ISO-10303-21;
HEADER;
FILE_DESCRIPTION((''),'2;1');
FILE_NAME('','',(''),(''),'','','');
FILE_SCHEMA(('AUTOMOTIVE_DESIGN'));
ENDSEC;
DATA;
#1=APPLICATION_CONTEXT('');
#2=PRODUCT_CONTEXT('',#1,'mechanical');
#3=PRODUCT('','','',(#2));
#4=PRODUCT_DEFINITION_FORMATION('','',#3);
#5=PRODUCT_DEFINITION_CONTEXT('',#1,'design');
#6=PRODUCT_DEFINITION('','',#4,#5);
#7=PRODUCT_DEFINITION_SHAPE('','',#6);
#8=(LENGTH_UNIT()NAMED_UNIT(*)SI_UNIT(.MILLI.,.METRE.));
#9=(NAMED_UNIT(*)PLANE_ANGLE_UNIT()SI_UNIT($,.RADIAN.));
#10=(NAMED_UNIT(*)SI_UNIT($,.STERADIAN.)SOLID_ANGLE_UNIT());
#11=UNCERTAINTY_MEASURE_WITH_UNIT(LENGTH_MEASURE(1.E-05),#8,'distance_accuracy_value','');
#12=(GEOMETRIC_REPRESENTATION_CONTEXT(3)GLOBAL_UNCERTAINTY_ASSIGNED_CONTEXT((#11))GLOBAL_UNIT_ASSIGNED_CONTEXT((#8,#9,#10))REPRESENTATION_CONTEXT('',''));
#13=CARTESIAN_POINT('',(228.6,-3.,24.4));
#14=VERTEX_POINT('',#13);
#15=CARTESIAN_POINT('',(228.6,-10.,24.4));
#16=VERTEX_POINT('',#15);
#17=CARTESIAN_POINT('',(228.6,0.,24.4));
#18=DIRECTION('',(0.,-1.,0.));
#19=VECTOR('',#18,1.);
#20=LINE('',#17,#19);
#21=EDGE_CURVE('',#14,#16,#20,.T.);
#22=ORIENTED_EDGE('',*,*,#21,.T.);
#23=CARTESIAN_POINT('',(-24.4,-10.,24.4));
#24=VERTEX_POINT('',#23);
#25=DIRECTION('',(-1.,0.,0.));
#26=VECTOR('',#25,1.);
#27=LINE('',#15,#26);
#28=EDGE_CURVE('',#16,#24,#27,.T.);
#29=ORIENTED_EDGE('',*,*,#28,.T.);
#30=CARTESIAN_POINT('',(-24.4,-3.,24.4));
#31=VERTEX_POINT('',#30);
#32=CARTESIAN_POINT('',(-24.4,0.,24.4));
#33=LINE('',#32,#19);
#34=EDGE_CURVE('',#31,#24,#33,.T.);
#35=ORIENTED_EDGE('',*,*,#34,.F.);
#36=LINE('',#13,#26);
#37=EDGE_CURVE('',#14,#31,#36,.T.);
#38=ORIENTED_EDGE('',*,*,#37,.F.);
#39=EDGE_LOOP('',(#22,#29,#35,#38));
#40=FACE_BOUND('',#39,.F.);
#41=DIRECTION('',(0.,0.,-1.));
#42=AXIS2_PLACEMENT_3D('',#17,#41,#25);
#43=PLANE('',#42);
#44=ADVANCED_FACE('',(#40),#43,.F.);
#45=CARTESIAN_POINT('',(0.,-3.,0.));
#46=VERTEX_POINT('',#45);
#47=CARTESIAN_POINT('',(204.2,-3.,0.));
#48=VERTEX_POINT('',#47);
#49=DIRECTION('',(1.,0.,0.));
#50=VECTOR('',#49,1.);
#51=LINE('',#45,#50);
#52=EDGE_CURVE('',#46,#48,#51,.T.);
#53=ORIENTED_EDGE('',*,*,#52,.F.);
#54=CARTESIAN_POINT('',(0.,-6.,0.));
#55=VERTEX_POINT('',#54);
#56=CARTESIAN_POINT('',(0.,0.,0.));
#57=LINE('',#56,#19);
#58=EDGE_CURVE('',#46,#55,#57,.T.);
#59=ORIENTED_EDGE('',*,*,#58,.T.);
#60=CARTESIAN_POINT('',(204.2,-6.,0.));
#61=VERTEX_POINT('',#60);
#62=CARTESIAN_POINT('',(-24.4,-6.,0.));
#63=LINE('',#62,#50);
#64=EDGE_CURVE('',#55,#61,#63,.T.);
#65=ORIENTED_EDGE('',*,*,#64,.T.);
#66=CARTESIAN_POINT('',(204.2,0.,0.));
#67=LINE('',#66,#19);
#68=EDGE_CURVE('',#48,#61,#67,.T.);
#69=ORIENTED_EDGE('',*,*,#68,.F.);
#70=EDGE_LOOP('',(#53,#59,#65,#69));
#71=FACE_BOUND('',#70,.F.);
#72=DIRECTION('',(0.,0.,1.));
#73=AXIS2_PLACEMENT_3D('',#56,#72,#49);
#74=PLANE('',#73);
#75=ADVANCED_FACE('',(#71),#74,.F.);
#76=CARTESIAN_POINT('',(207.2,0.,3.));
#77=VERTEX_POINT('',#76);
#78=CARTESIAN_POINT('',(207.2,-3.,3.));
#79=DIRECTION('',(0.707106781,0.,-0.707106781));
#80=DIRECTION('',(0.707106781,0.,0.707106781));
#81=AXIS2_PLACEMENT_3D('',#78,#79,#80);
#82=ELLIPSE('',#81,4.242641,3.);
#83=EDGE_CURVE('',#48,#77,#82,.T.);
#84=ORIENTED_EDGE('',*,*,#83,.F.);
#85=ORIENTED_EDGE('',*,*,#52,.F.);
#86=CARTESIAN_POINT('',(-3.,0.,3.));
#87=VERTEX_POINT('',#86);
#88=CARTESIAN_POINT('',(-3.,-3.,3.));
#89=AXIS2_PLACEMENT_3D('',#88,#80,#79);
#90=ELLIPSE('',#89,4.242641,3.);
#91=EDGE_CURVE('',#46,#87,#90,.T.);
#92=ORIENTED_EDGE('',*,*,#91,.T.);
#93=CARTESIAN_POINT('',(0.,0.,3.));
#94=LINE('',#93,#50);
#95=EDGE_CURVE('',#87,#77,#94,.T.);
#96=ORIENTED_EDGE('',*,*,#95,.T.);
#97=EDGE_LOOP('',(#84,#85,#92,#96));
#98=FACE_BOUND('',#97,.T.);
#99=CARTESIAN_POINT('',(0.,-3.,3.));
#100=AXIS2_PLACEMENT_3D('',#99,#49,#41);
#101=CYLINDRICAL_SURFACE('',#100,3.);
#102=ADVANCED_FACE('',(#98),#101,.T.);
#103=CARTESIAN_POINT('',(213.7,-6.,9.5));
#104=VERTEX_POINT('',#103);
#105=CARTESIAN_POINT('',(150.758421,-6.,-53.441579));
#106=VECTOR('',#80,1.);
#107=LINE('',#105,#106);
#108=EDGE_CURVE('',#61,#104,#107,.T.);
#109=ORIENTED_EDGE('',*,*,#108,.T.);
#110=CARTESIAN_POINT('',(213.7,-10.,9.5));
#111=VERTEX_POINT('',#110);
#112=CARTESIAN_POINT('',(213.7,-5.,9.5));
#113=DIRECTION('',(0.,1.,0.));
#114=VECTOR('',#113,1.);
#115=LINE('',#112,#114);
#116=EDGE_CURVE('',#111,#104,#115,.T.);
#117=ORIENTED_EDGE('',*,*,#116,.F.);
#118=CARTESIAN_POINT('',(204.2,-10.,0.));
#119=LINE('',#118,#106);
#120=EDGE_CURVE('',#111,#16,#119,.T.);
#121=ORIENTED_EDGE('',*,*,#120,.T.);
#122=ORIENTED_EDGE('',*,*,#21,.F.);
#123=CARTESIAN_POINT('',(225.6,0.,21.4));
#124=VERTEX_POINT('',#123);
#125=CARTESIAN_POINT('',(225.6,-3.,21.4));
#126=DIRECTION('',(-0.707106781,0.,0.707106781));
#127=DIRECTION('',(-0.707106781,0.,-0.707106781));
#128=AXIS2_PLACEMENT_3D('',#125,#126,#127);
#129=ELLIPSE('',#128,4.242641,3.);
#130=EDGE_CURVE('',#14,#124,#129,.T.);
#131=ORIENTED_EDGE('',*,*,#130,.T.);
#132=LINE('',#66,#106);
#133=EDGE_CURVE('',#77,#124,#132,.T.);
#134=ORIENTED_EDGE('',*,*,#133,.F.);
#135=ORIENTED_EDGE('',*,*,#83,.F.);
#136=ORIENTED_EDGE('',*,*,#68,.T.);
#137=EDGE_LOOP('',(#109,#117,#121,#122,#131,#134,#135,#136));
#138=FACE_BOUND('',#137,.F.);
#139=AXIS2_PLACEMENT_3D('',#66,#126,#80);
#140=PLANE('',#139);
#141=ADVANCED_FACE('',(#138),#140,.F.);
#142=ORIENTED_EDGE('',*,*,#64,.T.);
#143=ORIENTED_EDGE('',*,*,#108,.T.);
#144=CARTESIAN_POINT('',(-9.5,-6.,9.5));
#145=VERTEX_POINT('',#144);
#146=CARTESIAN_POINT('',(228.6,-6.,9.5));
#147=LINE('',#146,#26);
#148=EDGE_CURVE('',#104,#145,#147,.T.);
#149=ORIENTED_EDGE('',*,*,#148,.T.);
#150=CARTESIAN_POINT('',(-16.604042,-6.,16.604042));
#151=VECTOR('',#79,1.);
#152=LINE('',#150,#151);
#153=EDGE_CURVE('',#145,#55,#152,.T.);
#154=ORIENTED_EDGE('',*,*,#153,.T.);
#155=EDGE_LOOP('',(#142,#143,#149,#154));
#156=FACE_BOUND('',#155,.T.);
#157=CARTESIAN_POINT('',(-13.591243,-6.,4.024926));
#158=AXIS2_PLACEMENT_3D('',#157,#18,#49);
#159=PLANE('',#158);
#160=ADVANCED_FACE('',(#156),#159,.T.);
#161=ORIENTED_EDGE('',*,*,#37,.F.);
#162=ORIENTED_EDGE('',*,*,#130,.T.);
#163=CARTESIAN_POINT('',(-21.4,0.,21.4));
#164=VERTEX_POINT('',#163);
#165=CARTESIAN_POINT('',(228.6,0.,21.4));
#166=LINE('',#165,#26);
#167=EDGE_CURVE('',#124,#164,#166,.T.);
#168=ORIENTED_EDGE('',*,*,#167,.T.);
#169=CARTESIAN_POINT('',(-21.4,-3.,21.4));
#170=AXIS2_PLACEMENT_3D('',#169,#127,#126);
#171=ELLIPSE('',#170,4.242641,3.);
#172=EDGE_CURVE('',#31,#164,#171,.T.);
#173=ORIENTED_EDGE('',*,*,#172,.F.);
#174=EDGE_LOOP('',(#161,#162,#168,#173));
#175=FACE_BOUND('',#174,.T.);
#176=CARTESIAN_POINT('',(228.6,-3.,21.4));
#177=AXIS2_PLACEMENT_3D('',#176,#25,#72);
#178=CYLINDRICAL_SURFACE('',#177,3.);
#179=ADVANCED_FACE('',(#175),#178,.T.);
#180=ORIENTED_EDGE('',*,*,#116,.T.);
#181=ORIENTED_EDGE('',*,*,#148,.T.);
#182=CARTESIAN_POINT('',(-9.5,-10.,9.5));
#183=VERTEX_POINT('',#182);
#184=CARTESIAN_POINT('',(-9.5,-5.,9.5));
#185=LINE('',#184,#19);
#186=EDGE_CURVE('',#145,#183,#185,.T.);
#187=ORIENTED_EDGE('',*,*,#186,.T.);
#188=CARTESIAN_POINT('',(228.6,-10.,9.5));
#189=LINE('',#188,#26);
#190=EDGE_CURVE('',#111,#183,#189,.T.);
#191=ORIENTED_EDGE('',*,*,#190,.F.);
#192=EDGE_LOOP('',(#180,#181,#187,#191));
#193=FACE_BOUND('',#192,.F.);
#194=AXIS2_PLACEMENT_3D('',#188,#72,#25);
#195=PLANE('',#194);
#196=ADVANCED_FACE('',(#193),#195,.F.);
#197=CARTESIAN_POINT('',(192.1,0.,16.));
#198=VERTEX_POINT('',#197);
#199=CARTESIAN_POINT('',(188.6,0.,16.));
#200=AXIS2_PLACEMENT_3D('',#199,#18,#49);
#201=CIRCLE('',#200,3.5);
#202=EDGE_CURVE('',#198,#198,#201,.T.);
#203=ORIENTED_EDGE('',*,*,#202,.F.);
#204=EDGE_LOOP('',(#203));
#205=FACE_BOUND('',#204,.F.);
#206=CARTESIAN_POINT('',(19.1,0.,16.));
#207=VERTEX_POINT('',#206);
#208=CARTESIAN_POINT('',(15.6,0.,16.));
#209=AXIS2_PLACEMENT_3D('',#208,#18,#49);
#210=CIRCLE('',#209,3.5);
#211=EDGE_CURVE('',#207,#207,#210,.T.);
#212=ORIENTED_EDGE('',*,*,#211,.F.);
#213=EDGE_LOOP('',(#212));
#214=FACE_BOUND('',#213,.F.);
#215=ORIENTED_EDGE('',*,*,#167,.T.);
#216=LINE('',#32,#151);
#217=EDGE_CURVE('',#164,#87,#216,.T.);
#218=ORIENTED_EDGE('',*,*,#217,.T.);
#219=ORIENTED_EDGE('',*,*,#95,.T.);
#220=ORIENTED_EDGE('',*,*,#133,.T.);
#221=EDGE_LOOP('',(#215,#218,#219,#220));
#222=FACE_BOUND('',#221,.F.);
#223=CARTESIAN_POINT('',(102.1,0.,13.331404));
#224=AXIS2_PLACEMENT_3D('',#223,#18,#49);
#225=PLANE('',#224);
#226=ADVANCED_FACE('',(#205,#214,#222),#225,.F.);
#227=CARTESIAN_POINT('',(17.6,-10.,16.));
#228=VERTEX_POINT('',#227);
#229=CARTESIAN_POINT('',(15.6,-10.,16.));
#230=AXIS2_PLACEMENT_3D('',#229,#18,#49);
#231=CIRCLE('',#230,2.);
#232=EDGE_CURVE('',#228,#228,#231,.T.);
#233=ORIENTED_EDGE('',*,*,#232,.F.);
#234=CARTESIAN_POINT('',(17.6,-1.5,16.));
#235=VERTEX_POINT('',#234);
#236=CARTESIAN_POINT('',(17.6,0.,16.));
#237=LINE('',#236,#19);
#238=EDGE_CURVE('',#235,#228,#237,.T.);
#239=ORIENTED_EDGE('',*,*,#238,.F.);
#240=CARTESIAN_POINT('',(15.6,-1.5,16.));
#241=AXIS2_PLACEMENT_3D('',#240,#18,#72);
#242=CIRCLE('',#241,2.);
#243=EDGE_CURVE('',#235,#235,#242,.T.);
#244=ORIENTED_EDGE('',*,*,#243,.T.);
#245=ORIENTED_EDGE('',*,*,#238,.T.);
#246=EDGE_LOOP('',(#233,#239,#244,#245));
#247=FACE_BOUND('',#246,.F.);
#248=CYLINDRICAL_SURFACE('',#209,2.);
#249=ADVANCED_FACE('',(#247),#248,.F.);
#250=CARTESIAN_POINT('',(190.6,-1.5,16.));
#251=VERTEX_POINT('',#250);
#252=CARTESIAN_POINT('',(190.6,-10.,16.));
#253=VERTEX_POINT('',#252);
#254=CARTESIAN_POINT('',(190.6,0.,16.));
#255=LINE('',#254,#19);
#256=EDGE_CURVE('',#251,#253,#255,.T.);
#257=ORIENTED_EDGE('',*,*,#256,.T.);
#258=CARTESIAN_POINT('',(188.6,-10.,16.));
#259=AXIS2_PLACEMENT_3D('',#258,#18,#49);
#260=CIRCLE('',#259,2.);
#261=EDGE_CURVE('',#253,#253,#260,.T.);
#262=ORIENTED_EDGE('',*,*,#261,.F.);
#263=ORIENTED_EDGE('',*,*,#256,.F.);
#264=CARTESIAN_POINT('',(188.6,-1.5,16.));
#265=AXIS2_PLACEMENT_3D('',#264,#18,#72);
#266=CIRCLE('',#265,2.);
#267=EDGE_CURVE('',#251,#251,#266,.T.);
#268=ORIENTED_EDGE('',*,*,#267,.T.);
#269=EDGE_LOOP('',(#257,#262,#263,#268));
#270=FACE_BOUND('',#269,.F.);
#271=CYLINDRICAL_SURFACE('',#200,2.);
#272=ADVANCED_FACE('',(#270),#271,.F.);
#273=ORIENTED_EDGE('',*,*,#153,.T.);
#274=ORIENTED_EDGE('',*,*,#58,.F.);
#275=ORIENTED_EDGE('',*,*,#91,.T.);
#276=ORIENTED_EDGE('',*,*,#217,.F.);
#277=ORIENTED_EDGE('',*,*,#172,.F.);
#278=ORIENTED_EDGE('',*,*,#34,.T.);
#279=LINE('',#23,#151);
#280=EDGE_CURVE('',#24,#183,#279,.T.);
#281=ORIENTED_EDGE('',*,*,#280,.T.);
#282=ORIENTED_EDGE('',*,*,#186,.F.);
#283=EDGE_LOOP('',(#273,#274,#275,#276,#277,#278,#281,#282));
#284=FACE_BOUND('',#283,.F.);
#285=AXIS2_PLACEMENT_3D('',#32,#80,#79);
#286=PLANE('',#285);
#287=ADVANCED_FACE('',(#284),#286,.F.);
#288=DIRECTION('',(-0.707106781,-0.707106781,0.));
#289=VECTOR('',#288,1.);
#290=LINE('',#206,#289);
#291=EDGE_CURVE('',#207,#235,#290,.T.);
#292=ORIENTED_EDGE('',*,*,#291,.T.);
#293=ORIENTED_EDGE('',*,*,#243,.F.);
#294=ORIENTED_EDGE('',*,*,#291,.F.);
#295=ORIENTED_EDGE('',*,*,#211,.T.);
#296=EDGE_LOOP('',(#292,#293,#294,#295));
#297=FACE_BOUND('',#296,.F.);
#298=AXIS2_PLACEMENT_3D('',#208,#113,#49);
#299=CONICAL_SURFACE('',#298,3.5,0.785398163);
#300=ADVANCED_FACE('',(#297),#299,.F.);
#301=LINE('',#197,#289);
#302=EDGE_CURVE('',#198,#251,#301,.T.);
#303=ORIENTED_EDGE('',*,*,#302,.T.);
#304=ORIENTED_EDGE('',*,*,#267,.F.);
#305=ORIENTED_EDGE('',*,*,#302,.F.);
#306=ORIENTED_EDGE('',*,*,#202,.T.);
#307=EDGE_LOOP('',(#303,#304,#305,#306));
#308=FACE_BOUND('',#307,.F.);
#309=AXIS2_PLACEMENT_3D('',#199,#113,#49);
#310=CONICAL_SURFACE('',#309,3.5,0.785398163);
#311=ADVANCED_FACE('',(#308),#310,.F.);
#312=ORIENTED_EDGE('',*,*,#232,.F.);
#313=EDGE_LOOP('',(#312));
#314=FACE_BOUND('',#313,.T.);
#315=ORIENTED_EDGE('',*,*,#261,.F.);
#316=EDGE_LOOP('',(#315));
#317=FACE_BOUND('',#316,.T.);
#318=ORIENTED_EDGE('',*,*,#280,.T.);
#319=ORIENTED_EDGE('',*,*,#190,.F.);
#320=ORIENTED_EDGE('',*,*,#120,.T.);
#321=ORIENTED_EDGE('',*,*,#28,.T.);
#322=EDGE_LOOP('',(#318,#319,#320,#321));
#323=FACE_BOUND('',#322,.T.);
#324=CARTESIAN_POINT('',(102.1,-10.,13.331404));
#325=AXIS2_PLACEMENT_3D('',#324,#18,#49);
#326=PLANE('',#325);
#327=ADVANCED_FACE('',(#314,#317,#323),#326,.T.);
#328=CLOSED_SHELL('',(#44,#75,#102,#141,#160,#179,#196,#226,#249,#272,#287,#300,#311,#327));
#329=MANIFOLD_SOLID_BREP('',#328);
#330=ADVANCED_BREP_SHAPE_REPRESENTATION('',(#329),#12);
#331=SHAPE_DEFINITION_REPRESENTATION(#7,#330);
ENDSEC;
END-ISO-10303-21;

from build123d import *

# Parameters (mm, degrees)
F1_DEPTH       = 10
F3_DEPTH       = 4
F5_D           = 4
F5_CSINK_D     = 7
F5_CSINK_ANGLE = 90
F6_R           = 3


with BuildPart() as f1:
    # F0 (on Front) → F1 (new body)
    with BuildSketch(Plane.XZ):
        Polygon((228.6, 24.4), (-24.4, 24.4), (0, 0), (204.2, 0), align=None)
    extrude(amount=F1_DEPTH)

    # F2 (on face) → F3 (cut)
    with BuildSketch(Plane.XZ.offset(10)):
        Polygon((-24.4, 9.5), (-24.4, 0), (0, 0), (-9.5, 9.5), align=None)
        Polygon((-9.5, 9.5), (0, 0), (204.2, 0), (213.7, 9.5), align=None)
        Polygon((213.7, 9.5), (204.2, 0), (228.6, 0), (228.6, 9.5), align=None)
    extrude(amount=-F3_DEPTH, mode=Mode.SUBTRACT)

    # F5 (through all)
    with Locations(Plane(origin=(0, 0, 0), x_dir=(-1, 0, 0), z_dir=(0, 1, 0))):
        with Locations((-188.6, 16), (-15.6, 16)):
            CounterSinkHole(F5_D / 2, F5_CSINK_D / 2, counter_sink_angle=F5_CSINK_ANGLE)

    # F6
    f6_edges = [f1.edges().sort_by_distance(p)[0] for p in [
        (102.1, 0, 0),
        (102.1, 0, 24.4),
    ]]
    fillet(f6_edges, radius=F6_R)


solid = f1.part
